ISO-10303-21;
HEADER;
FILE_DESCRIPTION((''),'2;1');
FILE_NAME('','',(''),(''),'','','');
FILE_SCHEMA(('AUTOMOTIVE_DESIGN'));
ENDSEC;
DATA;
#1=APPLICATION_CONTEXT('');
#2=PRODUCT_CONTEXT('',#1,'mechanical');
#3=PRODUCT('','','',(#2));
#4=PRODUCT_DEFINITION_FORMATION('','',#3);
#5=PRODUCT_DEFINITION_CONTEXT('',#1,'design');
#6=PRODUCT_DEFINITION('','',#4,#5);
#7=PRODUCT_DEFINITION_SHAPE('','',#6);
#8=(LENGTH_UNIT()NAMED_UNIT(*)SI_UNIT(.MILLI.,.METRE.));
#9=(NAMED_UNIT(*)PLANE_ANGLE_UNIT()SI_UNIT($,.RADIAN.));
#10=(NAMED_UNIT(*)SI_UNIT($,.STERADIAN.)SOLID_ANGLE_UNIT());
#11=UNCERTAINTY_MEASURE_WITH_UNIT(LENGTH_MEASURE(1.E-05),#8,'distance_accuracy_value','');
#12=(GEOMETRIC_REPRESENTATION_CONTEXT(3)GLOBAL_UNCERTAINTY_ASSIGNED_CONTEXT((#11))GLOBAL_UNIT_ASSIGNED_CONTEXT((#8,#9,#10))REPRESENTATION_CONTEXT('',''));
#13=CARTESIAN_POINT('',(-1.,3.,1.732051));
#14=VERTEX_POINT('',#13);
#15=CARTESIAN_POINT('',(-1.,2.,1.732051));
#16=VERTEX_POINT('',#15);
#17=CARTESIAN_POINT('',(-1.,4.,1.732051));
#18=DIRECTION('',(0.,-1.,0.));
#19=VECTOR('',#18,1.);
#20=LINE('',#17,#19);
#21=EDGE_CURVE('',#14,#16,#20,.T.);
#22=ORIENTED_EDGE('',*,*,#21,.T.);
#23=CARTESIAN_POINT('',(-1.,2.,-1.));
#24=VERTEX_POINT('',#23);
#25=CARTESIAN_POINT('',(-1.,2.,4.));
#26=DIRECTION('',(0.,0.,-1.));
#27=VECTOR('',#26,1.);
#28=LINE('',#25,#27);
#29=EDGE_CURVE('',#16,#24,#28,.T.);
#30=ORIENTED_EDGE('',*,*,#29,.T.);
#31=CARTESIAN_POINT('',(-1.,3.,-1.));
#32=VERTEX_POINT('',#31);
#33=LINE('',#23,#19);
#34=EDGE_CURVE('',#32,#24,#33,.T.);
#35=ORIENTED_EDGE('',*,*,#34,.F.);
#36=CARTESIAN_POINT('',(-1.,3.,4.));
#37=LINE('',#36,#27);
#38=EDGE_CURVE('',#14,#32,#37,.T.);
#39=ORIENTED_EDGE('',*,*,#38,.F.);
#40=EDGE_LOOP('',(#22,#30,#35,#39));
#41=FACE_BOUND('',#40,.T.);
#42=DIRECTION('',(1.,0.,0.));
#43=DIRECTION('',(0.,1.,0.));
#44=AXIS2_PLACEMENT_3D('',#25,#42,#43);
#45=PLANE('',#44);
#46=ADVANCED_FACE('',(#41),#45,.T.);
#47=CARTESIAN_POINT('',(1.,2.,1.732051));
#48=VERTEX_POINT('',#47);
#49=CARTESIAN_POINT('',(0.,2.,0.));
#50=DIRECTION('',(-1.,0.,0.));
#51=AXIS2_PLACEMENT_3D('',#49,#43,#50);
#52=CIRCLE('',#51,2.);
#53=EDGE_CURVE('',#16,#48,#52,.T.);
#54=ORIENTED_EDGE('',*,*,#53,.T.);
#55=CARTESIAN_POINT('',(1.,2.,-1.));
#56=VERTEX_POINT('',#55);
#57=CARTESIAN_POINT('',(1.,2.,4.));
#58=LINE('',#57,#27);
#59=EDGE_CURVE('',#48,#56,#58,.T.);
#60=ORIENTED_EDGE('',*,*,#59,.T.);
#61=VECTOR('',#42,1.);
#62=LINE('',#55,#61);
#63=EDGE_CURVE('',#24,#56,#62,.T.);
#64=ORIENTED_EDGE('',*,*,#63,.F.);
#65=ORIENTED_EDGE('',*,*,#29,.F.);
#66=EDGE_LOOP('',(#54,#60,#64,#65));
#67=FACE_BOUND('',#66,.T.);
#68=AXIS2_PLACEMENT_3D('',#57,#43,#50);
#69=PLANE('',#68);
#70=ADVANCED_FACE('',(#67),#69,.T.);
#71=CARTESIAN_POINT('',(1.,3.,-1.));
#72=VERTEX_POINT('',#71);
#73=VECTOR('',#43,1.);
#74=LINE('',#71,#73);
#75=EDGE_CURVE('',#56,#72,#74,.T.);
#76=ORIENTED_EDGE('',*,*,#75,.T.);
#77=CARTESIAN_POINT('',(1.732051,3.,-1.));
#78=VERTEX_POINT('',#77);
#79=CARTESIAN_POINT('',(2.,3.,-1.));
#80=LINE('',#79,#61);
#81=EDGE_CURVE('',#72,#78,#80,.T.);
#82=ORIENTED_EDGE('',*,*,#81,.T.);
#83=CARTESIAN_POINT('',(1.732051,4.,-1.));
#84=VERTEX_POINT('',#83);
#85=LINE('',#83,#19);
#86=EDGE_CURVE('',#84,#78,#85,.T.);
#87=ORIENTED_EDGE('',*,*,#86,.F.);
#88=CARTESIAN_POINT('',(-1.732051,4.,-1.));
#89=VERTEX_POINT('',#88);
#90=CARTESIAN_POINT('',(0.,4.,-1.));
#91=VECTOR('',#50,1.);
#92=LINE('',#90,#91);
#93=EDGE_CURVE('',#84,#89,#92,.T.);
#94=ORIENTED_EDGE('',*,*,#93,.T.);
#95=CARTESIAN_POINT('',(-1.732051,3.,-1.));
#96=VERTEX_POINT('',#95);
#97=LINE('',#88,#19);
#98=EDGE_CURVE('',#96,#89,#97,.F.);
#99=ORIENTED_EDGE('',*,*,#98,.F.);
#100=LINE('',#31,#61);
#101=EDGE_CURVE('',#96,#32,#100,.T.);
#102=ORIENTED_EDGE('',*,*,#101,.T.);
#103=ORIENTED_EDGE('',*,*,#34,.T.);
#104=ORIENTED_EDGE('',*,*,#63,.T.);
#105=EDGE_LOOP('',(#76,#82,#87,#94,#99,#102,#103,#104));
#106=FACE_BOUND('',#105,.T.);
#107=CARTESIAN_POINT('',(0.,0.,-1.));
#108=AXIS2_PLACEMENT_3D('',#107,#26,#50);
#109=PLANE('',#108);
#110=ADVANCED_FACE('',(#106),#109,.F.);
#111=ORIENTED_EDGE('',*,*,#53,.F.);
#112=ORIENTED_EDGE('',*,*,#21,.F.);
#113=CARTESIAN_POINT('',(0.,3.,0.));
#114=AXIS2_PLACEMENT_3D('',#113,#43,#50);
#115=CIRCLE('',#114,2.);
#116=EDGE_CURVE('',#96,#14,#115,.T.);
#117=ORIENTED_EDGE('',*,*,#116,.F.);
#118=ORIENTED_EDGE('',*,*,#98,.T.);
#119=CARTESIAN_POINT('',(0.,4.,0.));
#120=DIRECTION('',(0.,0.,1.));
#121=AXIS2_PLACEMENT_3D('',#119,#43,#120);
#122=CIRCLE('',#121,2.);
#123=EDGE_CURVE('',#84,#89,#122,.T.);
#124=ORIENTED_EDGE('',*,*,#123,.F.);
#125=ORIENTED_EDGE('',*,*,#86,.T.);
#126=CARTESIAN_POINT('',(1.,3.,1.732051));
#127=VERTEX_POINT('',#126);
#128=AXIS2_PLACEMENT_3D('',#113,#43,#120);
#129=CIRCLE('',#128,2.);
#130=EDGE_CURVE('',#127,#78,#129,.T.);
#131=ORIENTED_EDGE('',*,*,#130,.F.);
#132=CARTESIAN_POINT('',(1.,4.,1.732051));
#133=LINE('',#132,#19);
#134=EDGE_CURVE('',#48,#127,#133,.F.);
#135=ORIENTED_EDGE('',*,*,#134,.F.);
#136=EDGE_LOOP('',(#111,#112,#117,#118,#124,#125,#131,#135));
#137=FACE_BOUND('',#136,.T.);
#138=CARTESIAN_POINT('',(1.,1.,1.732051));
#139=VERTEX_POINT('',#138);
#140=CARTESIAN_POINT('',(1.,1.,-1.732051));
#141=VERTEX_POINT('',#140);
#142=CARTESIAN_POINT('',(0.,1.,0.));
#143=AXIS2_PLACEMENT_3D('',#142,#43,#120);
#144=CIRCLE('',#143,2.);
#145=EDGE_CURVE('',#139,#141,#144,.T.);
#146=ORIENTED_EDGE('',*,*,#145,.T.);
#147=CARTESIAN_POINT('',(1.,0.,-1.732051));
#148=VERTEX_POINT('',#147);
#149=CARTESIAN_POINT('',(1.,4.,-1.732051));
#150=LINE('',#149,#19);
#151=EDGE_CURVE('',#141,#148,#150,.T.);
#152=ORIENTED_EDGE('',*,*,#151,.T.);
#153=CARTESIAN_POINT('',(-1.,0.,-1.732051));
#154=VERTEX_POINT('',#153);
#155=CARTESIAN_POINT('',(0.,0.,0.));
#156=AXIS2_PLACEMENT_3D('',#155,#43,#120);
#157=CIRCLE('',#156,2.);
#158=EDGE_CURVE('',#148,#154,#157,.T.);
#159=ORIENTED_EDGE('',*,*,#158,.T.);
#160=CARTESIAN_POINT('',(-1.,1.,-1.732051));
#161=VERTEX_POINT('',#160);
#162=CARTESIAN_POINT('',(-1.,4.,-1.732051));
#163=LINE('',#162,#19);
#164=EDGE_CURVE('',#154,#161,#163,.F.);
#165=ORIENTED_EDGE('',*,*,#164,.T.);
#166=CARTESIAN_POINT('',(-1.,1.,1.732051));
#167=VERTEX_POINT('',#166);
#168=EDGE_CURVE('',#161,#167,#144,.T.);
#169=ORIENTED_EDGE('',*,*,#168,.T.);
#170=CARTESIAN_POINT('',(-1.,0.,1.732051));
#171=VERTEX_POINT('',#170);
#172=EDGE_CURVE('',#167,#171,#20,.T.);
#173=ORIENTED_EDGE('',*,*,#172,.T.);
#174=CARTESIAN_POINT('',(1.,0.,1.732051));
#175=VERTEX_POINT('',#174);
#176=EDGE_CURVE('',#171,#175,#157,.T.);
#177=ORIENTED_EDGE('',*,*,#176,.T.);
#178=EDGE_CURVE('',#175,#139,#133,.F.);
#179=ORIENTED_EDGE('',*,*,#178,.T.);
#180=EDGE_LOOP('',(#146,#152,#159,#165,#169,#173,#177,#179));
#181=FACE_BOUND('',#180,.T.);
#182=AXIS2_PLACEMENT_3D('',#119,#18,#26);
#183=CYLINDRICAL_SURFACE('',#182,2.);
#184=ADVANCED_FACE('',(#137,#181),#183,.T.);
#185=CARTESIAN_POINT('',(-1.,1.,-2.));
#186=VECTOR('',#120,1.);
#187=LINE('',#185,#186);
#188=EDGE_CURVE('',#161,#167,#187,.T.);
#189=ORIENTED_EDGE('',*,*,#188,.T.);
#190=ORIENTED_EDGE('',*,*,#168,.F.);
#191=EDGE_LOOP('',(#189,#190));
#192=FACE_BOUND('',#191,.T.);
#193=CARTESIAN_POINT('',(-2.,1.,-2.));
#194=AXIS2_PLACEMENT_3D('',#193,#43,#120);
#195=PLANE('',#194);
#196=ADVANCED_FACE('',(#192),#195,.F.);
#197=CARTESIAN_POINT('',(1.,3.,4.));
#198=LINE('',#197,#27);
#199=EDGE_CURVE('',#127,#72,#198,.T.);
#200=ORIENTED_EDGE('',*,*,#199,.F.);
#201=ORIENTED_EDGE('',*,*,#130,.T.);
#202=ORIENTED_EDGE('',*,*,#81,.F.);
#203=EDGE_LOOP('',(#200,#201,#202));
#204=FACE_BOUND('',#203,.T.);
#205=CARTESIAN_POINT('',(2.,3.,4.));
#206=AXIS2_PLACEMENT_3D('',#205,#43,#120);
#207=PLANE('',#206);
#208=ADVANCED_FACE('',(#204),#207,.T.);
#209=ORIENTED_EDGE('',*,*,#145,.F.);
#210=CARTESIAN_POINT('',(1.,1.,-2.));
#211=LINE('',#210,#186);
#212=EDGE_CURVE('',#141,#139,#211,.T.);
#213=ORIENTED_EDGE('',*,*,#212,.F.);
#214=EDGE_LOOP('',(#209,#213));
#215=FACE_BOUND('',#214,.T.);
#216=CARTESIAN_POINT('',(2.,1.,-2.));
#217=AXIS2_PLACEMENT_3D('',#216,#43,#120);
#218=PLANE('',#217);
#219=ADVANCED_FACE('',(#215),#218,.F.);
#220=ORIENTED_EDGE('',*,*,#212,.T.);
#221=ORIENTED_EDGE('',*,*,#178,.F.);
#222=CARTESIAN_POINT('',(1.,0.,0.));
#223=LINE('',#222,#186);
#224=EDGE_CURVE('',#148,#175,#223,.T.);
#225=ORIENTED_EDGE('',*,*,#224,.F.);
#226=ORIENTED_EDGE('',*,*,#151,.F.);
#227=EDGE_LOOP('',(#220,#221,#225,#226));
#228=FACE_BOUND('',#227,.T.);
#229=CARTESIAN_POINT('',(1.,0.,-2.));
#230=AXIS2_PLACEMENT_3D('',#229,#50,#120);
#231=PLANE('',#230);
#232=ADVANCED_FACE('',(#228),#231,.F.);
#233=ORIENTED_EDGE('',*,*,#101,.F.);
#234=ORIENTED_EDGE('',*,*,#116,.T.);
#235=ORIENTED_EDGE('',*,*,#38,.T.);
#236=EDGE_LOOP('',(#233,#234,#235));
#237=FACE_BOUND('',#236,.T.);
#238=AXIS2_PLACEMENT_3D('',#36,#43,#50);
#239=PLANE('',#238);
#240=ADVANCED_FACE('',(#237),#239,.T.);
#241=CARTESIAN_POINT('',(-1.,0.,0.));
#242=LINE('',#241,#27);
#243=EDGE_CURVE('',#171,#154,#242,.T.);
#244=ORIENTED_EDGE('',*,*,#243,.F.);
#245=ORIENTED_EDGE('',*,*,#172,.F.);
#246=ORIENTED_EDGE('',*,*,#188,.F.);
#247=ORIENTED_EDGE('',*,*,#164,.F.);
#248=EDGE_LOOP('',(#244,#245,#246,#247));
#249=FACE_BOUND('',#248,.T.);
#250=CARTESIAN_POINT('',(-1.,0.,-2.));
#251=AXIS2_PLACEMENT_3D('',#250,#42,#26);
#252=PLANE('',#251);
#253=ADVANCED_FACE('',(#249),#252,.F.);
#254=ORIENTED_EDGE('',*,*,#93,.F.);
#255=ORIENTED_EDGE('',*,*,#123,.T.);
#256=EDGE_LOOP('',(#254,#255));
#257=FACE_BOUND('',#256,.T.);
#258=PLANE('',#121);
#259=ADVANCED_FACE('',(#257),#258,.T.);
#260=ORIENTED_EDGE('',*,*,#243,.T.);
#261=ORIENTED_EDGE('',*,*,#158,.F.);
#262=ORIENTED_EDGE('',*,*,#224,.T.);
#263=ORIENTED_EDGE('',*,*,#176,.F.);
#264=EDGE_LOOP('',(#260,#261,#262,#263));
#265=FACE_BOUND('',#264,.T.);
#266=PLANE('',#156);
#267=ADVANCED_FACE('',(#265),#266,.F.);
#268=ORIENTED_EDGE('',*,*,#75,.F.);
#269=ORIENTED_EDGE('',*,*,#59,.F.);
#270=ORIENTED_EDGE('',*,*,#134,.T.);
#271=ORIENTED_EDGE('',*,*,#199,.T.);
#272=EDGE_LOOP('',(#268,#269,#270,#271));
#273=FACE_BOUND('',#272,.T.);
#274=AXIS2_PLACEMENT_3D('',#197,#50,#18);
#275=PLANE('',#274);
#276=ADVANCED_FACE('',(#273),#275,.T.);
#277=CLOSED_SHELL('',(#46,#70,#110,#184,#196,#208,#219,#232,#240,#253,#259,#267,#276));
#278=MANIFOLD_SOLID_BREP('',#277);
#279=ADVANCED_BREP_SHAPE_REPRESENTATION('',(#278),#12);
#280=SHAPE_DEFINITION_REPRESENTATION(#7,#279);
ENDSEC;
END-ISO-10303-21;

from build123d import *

# Parameters (mm, degrees)
SKETCH1_R               = 2
BOSS_EXTRUDE1_DEPTH     = 4
SKETCH2_W               = 1
SKETCH2_H               = 1
CUT_EXTRUDE1_DEPTH      = 2
CUT_EXTRUDE2_DEPTH      = 4
CUT_EXTRUDE2_DEPTH_BACK = 1


with BuildPart() as part:
    # Sketch1 → Boss-Extrude1 (new body)
    with BuildSketch(Plane(origin=(0, 0, 0), x_dir=(1, 0, 0), z_dir=(0, 1, 0))):
        Circle(SKETCH1_R)
    extrude(amount=BOSS_EXTRUDE1_DEPTH)

    # Sketch2 → Cut-Extrude1 (cut, symmetric)
    with BuildSketch(Plane.XY):
        with Locations((-1.5, 0.5)):
            Rectangle(SKETCH2_W, SKETCH2_H)
        with Locations((1.5, 0.5)):
            Rectangle(SKETCH2_W, SKETCH2_H)
    extrude(amount=CUT_EXTRUDE1_DEPTH, both=True, mode=Mode.SUBTRACT)

    # Sketch3 → Cut-Extrude2 (cut, two sides)
    with BuildSketch(Plane.XY) as cut_extrude2_sk:
        Polygon((-2, 4), (2, 4), (2, 3), (1, 3), (1, 2), (-1, 2), (-1, 3), (-2, 3), align=None)
    extrude(amount=CUT_EXTRUDE2_DEPTH, mode=Mode.SUBTRACT)
    extrude(cut_extrude2_sk.sketch, amount=-CUT_EXTRUDE2_DEPTH_BACK, mode=Mode.SUBTRACT)


solid = part.part
